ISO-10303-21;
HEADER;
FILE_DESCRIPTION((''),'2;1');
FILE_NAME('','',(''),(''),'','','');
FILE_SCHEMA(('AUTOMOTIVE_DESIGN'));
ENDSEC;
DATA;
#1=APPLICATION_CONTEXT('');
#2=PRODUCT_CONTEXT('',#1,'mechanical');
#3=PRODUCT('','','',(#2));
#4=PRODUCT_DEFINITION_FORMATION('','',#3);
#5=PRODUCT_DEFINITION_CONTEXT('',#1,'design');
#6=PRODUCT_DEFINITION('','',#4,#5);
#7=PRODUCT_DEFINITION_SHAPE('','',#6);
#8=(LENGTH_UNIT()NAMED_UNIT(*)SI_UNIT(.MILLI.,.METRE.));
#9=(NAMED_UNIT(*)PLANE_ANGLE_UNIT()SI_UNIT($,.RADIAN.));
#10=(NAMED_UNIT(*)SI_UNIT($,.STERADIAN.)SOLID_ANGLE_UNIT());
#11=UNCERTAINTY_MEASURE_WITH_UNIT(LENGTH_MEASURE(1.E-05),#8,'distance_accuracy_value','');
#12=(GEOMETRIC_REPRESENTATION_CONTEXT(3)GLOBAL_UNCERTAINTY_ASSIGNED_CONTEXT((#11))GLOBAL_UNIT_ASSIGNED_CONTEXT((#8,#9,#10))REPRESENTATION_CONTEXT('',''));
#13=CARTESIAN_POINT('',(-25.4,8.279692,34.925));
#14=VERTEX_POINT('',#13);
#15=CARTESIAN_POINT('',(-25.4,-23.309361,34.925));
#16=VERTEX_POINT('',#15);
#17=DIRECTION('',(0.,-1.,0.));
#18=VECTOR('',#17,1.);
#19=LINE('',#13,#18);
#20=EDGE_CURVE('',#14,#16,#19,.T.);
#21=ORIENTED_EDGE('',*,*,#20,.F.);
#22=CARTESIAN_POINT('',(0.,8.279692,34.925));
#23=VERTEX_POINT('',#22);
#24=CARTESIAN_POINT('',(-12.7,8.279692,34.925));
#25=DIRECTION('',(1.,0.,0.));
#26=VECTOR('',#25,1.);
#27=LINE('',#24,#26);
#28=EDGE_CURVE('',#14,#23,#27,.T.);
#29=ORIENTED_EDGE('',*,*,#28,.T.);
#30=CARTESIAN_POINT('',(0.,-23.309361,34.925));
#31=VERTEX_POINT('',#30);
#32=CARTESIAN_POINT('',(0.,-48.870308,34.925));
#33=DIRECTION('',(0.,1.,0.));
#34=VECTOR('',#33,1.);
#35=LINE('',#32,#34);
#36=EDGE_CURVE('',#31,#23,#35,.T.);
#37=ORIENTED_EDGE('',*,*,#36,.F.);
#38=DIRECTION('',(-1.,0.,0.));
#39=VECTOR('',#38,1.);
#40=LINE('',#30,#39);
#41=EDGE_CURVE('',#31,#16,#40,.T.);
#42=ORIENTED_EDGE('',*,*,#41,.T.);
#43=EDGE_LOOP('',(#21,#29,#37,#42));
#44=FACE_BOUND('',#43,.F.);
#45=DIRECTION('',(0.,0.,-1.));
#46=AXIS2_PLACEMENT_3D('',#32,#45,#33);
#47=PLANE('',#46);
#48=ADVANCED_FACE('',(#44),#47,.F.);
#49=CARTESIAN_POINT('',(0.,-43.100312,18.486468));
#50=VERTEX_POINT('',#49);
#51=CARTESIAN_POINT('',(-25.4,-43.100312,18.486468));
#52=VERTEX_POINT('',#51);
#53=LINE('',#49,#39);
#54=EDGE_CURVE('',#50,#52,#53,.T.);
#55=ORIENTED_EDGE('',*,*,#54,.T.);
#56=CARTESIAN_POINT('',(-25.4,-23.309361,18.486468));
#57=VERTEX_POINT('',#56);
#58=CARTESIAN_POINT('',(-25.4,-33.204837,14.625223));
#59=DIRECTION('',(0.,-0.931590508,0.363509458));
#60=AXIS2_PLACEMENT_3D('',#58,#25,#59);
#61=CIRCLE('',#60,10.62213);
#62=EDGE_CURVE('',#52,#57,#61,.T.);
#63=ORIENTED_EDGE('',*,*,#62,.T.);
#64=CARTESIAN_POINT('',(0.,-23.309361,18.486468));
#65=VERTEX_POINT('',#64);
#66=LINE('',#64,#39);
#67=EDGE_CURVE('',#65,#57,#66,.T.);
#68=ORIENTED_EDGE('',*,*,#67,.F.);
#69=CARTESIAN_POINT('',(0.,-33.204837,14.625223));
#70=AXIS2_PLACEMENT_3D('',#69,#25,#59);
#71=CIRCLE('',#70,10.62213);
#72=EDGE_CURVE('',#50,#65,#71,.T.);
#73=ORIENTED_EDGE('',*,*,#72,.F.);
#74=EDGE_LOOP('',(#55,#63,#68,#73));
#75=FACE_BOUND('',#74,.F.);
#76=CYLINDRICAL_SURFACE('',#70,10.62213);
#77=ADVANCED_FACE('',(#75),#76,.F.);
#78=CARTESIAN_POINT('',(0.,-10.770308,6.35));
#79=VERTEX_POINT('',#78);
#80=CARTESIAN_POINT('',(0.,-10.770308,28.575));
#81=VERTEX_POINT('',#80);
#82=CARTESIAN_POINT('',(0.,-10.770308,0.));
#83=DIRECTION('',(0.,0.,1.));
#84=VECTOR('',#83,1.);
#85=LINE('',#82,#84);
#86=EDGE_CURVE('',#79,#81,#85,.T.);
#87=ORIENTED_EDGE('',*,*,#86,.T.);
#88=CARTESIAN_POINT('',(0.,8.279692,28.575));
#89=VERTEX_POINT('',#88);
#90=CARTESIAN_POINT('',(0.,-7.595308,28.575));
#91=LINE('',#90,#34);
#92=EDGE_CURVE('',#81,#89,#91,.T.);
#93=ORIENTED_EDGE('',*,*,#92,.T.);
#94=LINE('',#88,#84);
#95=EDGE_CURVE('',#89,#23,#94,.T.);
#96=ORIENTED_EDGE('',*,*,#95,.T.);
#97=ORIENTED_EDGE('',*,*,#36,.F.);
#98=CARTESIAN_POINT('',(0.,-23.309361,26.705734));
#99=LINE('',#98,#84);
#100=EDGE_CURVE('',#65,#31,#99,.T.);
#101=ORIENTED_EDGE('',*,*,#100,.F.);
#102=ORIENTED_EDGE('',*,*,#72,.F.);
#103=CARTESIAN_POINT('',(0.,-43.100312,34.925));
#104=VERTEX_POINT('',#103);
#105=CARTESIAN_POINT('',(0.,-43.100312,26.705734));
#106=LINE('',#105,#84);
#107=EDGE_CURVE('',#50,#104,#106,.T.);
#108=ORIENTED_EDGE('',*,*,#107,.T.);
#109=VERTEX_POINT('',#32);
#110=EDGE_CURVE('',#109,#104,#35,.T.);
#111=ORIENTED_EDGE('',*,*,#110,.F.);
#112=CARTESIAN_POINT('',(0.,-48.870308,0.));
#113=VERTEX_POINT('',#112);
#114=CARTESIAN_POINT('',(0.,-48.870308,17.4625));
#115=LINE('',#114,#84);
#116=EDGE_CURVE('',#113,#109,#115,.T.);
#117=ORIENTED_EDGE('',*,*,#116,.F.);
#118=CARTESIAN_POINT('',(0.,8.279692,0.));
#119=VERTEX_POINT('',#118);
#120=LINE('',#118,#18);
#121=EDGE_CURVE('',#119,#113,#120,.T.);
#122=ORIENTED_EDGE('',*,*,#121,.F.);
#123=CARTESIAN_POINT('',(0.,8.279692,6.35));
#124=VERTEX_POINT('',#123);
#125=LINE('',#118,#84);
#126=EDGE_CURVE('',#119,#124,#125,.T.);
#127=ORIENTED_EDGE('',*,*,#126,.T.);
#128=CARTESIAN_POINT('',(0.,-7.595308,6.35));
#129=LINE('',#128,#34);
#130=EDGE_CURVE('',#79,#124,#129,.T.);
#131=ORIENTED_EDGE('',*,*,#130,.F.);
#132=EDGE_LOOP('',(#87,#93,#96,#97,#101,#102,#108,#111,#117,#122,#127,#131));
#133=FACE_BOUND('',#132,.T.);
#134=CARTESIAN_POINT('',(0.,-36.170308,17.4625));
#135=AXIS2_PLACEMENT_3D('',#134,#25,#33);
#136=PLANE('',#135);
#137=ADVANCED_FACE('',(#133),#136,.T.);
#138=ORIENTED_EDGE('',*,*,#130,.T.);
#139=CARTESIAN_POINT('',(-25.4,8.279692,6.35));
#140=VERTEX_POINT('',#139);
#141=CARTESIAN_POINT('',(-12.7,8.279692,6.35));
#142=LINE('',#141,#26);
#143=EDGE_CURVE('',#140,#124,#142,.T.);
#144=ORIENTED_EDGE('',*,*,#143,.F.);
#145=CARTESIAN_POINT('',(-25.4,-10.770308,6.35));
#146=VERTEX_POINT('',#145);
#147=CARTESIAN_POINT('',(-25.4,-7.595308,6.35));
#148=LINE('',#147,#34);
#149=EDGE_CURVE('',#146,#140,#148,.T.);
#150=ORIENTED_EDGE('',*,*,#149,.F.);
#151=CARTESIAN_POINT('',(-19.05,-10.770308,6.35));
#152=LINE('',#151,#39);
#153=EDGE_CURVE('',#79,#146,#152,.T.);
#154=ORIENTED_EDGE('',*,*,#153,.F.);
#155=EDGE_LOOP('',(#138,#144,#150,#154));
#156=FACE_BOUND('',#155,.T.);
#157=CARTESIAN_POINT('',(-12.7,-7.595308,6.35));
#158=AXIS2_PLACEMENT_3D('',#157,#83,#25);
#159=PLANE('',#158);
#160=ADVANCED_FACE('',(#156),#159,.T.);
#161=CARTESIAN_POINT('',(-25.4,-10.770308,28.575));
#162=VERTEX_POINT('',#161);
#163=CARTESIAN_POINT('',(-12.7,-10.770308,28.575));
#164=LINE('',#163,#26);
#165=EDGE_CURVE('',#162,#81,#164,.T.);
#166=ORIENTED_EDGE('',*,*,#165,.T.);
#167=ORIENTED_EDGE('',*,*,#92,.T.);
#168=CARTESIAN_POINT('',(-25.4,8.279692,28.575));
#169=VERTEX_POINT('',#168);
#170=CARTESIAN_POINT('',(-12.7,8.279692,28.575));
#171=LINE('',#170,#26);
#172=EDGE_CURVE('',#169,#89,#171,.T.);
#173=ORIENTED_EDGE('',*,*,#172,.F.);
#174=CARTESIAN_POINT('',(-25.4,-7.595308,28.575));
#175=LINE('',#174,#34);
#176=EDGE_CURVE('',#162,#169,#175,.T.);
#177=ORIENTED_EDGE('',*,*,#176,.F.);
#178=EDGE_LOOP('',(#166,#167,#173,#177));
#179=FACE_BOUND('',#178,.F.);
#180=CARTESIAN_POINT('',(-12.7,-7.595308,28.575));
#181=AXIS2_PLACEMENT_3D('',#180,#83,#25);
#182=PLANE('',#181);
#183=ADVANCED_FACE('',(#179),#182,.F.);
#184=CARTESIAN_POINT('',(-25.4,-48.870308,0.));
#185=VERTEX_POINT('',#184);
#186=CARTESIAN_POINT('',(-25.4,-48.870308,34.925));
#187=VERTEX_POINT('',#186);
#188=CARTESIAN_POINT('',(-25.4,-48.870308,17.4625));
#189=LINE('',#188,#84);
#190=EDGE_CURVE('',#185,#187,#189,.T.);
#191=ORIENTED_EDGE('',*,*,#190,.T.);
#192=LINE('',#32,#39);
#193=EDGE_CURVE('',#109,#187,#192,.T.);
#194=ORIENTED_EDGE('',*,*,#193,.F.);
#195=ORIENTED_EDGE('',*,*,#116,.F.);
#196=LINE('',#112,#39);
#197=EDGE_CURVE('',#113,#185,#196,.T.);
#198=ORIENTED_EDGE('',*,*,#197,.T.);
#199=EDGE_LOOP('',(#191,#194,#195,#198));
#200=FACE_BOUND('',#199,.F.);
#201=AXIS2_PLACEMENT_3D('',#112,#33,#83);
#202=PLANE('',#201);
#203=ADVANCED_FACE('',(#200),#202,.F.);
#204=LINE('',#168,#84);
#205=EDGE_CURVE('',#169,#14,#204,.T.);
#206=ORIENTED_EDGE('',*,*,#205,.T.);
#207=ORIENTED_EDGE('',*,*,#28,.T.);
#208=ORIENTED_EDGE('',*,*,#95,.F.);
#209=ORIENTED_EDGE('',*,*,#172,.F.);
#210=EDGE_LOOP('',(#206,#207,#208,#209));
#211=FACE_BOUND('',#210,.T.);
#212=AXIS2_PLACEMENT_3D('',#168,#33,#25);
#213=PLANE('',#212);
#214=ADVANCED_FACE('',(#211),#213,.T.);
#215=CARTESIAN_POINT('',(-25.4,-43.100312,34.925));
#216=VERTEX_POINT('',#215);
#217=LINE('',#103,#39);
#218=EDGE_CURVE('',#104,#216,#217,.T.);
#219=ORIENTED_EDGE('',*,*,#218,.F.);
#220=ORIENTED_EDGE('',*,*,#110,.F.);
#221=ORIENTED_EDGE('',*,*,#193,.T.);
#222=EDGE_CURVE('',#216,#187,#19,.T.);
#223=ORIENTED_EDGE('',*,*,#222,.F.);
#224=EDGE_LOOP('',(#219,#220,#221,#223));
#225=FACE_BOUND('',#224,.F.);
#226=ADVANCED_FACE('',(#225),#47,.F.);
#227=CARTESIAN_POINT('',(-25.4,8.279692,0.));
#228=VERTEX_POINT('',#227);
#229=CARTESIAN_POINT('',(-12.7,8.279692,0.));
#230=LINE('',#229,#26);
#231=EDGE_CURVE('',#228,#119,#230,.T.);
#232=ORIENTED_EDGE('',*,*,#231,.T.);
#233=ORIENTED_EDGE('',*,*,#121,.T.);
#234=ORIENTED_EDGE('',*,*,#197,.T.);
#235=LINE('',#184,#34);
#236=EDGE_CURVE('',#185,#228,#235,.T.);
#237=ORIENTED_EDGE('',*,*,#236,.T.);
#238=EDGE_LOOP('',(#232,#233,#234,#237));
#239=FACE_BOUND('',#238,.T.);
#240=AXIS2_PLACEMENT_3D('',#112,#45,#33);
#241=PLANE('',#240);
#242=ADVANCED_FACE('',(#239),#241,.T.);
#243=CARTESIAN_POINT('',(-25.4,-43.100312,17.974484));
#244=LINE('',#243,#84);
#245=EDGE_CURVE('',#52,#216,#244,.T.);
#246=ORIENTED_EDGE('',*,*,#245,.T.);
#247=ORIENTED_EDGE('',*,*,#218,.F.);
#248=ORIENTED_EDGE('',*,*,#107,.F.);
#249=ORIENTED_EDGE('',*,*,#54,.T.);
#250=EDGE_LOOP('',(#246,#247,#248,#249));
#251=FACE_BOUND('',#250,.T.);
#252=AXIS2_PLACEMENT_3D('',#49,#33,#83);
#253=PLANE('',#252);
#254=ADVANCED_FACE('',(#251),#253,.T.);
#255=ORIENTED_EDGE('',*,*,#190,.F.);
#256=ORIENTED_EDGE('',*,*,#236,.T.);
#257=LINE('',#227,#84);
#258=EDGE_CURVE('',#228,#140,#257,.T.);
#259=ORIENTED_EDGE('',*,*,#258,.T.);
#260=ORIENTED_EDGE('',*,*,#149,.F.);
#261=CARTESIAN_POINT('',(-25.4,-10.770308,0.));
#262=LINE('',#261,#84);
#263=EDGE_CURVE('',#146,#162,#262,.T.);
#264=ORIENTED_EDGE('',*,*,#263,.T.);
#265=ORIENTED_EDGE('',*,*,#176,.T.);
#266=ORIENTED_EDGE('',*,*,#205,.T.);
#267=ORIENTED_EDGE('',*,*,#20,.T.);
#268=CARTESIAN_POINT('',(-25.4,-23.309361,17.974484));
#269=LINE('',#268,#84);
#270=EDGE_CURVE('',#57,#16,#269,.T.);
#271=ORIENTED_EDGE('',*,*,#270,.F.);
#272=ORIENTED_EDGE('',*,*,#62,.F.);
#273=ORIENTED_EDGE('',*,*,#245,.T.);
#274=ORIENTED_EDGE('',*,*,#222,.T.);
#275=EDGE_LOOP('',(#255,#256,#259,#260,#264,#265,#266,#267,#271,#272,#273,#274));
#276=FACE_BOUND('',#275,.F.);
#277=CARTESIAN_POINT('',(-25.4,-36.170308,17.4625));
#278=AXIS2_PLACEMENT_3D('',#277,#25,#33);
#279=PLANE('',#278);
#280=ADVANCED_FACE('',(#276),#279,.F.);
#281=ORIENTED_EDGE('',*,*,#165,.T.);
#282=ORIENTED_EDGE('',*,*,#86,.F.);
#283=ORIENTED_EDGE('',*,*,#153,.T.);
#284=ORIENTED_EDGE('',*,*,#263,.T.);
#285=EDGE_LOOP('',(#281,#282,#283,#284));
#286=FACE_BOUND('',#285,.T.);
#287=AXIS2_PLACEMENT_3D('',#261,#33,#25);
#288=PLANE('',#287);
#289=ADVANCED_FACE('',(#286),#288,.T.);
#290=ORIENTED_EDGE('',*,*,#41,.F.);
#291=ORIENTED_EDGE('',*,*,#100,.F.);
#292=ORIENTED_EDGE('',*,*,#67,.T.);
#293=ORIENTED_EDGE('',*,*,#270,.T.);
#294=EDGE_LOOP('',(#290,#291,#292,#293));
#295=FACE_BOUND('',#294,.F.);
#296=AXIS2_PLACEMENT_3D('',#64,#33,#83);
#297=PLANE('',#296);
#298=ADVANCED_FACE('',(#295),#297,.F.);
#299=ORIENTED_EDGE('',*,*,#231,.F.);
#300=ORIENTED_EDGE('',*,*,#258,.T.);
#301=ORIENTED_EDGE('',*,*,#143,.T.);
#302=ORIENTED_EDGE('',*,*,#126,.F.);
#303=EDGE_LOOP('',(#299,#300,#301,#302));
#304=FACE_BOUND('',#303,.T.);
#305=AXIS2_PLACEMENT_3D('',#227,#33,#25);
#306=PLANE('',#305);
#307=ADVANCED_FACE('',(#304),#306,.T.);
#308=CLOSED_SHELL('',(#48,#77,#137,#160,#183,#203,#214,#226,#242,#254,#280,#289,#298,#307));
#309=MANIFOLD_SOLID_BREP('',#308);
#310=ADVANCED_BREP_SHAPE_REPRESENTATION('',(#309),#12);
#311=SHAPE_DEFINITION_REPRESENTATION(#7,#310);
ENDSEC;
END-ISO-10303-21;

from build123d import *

# Parameters (mm, degrees)
F0_W     = 25.4
F0_H     = 31.75
F2_DEPTH = 6.35
F1_W     = 25.4
F1_H     = 12.7
F3_DEPTH = 28.575
F4_W     = 25.4
F4_H     = 31.75
F5_DEPTH = 6.35
F6_W     = 25.4
F6_H     = 34.925
F7_DEPTH = 25.4
F8_W     = 19.7909511626
F8_H     = 16.4385318786
F9_DEPTH = 33.782


with BuildPart() as f2:
    # F0 (on Top) → F2 (new body)
    with BuildSketch(Plane.XY):
        with Locations((-12.7, -7.5953084708)):
            Rectangle(F0_W, F0_H)
    extrude(amount=F2_DEPTH)

    # F1 (on face) → F3 (join)
    with BuildSketch(Plane.XY):
        with Locations((-12.7, -17.1203084708)):
            Rectangle(F1_W, F1_H)
    extrude(amount=F3_DEPTH)

    # F4 (on face) → F5 (join)
    with BuildSketch(Plane.XY.offset(28.575)):
        with Locations((-12.7, -7.5953084708)):
            Rectangle(F4_W, F4_H)
    extrude(amount=F5_DEPTH)

    # F6 (on Right) → F7 (join)
    with BuildSketch(Plane.YZ):
        with Locations((-36.1703084708, 17.4625)):
            Rectangle(F6_W, F6_H)
    extrude(amount=-F7_DEPTH)

    # F8 (on face) → F9 (cut)
    with BuildSketch(Plane.YZ):
        with Locations((-33.2048367709, 26.7057340607)):
            Rectangle(F8_W, F8_H)
        with BuildLine():
            Line((-23.3093611896, 18.4864681214), (-43.1003123522, 18.4864681214))
            ThreePointArc((-43.1003123522, 18.4864681214), (-33.2048367709, 4.0030932476), (-23.3093611896, 18.4864681214))
        make_face()
    extrude(amount=-F9_DEPTH, mode=Mode.SUBTRACT)


solid = f2.part
